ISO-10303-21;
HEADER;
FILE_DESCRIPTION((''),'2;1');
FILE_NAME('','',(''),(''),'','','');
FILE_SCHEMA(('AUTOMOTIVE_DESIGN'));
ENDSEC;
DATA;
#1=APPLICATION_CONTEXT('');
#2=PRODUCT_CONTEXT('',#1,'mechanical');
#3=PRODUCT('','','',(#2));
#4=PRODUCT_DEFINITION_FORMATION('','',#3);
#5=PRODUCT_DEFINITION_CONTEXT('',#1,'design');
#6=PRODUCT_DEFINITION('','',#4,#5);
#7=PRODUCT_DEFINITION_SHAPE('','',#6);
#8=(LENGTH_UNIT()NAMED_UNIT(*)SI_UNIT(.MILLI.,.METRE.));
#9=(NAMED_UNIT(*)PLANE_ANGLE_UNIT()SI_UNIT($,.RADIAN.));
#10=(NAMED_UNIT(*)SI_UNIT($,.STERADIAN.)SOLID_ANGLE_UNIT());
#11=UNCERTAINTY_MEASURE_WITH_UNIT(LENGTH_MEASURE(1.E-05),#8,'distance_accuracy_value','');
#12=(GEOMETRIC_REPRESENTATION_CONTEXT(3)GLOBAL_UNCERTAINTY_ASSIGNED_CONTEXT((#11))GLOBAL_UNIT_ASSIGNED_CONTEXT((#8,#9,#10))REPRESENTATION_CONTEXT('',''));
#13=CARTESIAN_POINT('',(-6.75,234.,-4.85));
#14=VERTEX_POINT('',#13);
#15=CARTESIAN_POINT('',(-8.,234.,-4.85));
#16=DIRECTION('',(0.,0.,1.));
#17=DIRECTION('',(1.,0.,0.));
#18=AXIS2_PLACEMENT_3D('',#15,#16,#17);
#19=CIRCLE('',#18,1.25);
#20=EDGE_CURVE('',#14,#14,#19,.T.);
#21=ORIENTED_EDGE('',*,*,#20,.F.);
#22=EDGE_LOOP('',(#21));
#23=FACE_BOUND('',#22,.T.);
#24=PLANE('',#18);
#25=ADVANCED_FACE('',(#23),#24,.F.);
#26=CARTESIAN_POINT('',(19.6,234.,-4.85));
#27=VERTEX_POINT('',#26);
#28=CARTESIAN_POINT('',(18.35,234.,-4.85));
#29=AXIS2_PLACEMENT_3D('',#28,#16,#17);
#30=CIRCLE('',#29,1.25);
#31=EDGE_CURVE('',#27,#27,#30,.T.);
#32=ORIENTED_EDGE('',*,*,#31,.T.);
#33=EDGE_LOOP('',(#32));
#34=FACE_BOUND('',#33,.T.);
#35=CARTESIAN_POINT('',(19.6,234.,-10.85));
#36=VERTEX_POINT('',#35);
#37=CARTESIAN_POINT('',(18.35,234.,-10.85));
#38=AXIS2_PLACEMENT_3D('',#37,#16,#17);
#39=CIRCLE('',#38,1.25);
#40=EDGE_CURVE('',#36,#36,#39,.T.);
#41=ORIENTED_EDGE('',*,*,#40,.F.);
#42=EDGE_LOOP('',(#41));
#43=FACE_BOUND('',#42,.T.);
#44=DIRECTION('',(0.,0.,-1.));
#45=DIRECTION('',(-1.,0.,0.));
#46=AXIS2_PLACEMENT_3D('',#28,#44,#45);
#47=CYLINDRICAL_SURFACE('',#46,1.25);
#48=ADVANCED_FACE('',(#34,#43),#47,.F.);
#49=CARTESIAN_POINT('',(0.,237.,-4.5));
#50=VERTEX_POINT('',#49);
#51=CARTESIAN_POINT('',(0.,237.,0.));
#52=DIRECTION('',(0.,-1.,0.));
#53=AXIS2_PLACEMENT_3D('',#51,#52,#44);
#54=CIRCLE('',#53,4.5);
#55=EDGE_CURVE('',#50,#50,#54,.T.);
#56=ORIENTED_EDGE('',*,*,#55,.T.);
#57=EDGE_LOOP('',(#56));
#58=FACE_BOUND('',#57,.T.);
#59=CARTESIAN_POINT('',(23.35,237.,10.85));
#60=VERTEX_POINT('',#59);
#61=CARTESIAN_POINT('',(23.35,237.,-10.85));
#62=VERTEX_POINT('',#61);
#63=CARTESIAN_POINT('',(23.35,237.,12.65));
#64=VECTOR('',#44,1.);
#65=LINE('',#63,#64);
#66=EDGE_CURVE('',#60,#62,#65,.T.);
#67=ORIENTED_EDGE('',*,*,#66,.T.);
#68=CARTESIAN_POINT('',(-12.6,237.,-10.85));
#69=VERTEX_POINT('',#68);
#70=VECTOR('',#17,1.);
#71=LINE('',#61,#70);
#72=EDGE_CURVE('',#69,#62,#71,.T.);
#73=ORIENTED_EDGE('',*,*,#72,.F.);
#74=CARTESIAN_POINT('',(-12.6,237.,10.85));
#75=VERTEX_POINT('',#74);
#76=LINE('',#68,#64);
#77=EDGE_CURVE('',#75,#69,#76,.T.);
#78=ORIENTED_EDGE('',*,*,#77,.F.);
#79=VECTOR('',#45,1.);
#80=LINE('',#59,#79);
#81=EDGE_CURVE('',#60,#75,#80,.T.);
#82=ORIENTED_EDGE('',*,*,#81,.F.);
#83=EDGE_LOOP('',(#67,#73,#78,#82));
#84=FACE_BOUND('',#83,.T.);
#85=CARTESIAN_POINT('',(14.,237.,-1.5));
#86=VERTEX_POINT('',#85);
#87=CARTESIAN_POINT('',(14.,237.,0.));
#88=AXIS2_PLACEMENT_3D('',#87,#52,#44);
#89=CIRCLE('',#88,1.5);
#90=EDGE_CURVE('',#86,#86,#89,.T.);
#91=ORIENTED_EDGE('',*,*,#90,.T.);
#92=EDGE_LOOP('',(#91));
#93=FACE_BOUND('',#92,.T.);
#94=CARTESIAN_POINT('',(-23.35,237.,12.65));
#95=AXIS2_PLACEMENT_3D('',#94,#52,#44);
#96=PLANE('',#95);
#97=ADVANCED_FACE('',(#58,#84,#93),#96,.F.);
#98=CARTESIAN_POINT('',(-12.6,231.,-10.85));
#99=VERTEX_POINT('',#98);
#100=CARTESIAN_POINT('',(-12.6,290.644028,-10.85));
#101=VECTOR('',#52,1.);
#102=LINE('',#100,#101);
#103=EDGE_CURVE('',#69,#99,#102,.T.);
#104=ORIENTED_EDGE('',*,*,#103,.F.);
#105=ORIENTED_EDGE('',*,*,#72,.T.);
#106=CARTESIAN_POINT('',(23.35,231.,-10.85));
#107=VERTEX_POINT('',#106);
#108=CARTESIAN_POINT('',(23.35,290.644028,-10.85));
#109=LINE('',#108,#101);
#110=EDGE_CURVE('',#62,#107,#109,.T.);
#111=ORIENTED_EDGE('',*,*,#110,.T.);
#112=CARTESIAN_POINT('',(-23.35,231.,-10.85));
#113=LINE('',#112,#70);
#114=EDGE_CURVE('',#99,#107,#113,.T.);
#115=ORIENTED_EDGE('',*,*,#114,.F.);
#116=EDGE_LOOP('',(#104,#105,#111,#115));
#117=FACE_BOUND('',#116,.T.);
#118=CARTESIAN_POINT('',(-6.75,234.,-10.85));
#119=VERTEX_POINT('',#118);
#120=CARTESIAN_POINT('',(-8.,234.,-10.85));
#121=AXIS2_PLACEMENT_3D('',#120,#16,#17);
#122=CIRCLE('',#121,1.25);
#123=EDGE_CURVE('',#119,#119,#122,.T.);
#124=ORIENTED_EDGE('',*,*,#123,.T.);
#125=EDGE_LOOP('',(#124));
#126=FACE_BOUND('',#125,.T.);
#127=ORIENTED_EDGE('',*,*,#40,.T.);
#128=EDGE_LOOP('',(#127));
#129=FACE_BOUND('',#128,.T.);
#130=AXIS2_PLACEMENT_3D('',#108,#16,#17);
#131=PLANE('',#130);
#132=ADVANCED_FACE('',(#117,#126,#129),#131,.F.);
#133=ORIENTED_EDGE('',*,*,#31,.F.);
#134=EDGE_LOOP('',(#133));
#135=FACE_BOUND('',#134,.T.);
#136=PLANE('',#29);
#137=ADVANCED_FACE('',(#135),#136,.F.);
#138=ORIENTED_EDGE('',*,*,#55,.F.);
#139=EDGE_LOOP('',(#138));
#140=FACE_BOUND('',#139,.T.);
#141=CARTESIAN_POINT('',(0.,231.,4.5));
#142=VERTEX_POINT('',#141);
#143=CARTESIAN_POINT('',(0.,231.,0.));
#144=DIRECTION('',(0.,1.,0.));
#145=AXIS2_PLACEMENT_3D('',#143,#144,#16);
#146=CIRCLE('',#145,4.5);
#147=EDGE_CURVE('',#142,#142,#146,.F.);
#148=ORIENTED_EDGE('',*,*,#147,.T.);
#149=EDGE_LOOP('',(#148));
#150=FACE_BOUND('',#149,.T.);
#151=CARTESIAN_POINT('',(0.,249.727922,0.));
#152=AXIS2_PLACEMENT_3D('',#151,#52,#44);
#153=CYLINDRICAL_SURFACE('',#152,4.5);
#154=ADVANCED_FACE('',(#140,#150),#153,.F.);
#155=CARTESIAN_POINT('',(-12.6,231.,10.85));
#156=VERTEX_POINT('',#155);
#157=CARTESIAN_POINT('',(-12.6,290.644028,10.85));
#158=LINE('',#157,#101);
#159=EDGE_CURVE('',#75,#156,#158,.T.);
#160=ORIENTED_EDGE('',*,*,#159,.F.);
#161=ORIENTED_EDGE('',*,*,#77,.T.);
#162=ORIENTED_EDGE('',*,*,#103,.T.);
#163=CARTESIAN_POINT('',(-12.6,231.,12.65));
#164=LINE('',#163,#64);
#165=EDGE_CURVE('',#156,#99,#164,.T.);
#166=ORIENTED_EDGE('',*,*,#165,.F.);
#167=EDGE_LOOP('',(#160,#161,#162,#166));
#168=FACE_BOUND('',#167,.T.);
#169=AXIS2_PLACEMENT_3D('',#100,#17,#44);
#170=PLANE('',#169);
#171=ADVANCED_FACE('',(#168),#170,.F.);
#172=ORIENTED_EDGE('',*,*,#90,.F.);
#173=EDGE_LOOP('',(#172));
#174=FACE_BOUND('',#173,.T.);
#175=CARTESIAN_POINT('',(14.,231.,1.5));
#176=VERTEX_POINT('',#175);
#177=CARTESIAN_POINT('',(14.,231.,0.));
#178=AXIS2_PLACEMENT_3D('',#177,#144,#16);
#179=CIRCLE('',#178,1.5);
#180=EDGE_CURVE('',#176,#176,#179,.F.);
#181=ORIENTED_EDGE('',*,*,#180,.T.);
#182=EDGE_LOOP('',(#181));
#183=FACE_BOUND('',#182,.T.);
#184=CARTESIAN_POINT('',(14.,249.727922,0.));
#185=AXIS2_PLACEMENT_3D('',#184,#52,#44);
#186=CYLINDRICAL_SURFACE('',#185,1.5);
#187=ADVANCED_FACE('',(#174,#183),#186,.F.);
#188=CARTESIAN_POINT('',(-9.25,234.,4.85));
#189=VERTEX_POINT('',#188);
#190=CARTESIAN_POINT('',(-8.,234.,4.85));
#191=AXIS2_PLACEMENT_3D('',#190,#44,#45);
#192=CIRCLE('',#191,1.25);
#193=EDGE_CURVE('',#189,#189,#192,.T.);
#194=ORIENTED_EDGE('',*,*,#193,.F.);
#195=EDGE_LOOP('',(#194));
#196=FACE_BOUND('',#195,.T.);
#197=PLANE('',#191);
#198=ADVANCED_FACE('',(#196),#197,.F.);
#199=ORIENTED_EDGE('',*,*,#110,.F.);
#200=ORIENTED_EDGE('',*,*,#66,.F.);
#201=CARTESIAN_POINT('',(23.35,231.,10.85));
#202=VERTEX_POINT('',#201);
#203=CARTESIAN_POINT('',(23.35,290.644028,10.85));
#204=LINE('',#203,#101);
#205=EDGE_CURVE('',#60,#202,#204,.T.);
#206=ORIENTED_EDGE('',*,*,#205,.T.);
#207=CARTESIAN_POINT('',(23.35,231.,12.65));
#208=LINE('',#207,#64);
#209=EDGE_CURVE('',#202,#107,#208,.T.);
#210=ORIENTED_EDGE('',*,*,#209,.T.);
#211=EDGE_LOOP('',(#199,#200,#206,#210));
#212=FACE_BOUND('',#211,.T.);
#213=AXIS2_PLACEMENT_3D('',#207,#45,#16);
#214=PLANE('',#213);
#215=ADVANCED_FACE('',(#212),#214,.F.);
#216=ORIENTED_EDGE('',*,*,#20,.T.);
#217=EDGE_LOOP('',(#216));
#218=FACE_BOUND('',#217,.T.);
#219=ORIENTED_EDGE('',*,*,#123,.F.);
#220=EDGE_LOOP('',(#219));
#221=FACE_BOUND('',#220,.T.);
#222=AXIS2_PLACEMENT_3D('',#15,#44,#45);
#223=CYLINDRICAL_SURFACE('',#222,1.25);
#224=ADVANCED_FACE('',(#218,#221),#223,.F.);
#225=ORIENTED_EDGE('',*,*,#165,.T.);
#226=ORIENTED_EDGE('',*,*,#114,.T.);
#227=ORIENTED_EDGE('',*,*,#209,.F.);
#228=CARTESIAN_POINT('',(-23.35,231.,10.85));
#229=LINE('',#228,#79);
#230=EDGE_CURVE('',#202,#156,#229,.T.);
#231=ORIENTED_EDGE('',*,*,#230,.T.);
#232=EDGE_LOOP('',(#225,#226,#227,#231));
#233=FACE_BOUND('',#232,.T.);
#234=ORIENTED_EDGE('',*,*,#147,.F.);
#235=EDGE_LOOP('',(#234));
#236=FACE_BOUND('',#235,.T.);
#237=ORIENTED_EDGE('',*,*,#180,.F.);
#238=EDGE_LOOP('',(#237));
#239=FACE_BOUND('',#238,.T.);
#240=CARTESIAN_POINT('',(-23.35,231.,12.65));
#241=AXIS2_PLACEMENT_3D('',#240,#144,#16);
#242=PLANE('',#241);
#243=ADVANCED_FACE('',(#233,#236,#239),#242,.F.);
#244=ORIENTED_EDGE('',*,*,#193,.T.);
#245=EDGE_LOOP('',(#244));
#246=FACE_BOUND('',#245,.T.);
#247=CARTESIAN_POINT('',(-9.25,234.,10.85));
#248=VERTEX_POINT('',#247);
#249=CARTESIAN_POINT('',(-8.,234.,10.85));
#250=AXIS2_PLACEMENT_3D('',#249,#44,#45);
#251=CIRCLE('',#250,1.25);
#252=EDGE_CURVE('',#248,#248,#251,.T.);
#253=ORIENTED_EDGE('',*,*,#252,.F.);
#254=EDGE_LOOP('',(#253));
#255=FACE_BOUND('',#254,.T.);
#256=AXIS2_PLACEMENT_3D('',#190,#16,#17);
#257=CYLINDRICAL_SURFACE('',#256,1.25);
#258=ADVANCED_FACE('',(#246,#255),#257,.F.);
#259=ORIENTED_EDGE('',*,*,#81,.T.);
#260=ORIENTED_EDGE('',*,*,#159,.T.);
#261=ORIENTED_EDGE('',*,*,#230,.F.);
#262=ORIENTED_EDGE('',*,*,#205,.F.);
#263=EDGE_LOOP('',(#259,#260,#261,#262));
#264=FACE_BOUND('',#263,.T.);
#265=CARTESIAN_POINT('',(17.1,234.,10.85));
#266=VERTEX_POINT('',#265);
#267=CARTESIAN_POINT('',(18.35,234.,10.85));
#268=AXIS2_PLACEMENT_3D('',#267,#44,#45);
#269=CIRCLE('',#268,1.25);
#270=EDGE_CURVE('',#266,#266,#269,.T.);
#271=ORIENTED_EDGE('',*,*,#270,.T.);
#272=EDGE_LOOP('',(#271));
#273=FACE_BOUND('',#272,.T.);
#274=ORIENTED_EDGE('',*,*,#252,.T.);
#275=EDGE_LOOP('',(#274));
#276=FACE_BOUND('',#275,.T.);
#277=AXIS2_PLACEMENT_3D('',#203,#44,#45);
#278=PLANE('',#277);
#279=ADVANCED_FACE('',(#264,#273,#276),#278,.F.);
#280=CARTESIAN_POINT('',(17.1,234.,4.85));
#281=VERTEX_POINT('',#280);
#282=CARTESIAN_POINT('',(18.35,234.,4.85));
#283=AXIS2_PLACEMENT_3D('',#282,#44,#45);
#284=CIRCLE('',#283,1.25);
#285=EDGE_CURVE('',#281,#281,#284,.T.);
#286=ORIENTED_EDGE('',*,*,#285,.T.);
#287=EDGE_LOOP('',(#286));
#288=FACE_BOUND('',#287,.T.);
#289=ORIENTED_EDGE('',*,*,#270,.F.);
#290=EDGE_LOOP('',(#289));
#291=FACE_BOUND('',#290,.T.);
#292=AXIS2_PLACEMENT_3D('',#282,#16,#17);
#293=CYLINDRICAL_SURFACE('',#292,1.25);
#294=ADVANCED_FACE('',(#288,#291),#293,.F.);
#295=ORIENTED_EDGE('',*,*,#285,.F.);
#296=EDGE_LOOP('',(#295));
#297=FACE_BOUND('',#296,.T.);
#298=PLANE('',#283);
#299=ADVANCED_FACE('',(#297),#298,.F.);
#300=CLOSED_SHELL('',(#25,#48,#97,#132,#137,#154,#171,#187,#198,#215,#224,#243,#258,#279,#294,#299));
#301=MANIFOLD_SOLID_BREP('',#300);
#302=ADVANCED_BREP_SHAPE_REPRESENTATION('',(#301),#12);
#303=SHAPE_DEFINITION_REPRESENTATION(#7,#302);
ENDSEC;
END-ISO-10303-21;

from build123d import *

# Parameters (mm, degrees)
SKIZZE3_W                            = 46.7
SKIZZE3_H                            = 6
AUFSATZ_LINEAR_AUSTRAGEN1_DEPTH      = 12.65
AUFSATZ_LINEAR_AUSTRAGEN1_DEPTH_BACK = 12.65
SKIZZE4_OUTSIDE_W                    = 59.39
SKIZZE4_OUTSIDE_H                    = 37.99
SKIZZE4_OUTSIDE_W_2                  = 35.95
SKIZZE4_OUTSIDE_H_2                  = 21.7
SCHNITT_LINEAR_AUSTRAGEN1_DEPTH      = 237
SKIZZE7_R                            = 4.5
SKIZZE7_R_2                          = 1.5
SCHNITT_LINEAR_AUSTRAGEN2_DEPTH      = 237
SCHNITT_LINEAR_START                 = -10.85
THREADHOLESSIDE_R                    = 1.25
SCHNITT_LINEAR_AUSTRAGEN3_DEPTH      = 6
SCHNITT_LINEAR_START_2               = 10.85
THREADHOLESSIDE_2_R                  = 1.25
SCHNITT_LINEAR_AUSTRAGEN4_DEPTH      = 6


with BuildPart() as part:
    # Skizze3 → Aufsatz-Linear austragen1 (new body, two sides)
    with BuildSketch(Plane.XY) as aufsatz_linear_austragen1_sk:
        with Locations((0, 234)):
            Rectangle(SKIZZE3_W, SKIZZE3_H)
    extrude(amount=AUFSATZ_LINEAR_AUSTRAGEN1_DEPTH)
    extrude(aufsatz_linear_austragen1_sk.sketch, amount=-AUFSATZ_LINEAR_AUSTRAGEN1_DEPTH_BACK)

    # Skizze4 outside → Schnitt-Linear austragen1 (cut)
    with BuildSketch(Plane(origin=(0, 0, 0), x_dir=(1, 0, 0), z_dir=(0, 1, 0))):
        Rectangle(SKIZZE4_OUTSIDE_W, SKIZZE4_OUTSIDE_H)
        with Locations((5.375, 0)):
            Rectangle(SKIZZE4_OUTSIDE_W_2, SKIZZE4_OUTSIDE_H_2, mode=Mode.SUBTRACT)
    extrude(amount=SCHNITT_LINEAR_AUSTRAGEN1_DEPTH, mode=Mode.SUBTRACT)

    # Skizze7 → Schnitt-Linear austragen2 (cut)
    with BuildSketch(Plane(origin=(0, 0, 0), x_dir=(1, 0, 0), z_dir=(0, 1, 0))):
        Circle(SKIZZE7_R)
        with Locations((14, 0)):
            Circle(SKIZZE7_R_2)
    extrude(amount=SCHNITT_LINEAR_AUSTRAGEN2_DEPTH, mode=Mode.SUBTRACT)

    # ThreadHolesSide → Schnitt-Linear austragen3 (cut)
    with BuildSketch(Plane.XY.offset(SCHNITT_LINEAR_START)):
        with Locations((18.35, 234)):
            Circle(THREADHOLESSIDE_R)
        with Locations((-8, 234)):
            Circle(THREADHOLESSIDE_R)
    extrude(amount=SCHNITT_LINEAR_AUSTRAGEN3_DEPTH, mode=Mode.SUBTRACT)

    # ThreadHolesSide<2> → Schnitt-Linear austragen4 (cut)
    with BuildSketch(Plane.XY.offset(SCHNITT_LINEAR_START_2)):
        with Locations((18.35, 234)):
            Circle(THREADHOLESSIDE_2_R)
        with Locations((-8, 234)):
            Circle(THREADHOLESSIDE_2_R)
        with Locations((18.35, 615)):
            Circle(THREADHOLESSIDE_2_R)
        with Locations((-8, 615)):
            Circle(THREADHOLESSIDE_2_R)
    extrude(amount=-SCHNITT_LINEAR_AUSTRAGEN4_DEPTH, mode=Mode.SUBTRACT)


solid = part.part
